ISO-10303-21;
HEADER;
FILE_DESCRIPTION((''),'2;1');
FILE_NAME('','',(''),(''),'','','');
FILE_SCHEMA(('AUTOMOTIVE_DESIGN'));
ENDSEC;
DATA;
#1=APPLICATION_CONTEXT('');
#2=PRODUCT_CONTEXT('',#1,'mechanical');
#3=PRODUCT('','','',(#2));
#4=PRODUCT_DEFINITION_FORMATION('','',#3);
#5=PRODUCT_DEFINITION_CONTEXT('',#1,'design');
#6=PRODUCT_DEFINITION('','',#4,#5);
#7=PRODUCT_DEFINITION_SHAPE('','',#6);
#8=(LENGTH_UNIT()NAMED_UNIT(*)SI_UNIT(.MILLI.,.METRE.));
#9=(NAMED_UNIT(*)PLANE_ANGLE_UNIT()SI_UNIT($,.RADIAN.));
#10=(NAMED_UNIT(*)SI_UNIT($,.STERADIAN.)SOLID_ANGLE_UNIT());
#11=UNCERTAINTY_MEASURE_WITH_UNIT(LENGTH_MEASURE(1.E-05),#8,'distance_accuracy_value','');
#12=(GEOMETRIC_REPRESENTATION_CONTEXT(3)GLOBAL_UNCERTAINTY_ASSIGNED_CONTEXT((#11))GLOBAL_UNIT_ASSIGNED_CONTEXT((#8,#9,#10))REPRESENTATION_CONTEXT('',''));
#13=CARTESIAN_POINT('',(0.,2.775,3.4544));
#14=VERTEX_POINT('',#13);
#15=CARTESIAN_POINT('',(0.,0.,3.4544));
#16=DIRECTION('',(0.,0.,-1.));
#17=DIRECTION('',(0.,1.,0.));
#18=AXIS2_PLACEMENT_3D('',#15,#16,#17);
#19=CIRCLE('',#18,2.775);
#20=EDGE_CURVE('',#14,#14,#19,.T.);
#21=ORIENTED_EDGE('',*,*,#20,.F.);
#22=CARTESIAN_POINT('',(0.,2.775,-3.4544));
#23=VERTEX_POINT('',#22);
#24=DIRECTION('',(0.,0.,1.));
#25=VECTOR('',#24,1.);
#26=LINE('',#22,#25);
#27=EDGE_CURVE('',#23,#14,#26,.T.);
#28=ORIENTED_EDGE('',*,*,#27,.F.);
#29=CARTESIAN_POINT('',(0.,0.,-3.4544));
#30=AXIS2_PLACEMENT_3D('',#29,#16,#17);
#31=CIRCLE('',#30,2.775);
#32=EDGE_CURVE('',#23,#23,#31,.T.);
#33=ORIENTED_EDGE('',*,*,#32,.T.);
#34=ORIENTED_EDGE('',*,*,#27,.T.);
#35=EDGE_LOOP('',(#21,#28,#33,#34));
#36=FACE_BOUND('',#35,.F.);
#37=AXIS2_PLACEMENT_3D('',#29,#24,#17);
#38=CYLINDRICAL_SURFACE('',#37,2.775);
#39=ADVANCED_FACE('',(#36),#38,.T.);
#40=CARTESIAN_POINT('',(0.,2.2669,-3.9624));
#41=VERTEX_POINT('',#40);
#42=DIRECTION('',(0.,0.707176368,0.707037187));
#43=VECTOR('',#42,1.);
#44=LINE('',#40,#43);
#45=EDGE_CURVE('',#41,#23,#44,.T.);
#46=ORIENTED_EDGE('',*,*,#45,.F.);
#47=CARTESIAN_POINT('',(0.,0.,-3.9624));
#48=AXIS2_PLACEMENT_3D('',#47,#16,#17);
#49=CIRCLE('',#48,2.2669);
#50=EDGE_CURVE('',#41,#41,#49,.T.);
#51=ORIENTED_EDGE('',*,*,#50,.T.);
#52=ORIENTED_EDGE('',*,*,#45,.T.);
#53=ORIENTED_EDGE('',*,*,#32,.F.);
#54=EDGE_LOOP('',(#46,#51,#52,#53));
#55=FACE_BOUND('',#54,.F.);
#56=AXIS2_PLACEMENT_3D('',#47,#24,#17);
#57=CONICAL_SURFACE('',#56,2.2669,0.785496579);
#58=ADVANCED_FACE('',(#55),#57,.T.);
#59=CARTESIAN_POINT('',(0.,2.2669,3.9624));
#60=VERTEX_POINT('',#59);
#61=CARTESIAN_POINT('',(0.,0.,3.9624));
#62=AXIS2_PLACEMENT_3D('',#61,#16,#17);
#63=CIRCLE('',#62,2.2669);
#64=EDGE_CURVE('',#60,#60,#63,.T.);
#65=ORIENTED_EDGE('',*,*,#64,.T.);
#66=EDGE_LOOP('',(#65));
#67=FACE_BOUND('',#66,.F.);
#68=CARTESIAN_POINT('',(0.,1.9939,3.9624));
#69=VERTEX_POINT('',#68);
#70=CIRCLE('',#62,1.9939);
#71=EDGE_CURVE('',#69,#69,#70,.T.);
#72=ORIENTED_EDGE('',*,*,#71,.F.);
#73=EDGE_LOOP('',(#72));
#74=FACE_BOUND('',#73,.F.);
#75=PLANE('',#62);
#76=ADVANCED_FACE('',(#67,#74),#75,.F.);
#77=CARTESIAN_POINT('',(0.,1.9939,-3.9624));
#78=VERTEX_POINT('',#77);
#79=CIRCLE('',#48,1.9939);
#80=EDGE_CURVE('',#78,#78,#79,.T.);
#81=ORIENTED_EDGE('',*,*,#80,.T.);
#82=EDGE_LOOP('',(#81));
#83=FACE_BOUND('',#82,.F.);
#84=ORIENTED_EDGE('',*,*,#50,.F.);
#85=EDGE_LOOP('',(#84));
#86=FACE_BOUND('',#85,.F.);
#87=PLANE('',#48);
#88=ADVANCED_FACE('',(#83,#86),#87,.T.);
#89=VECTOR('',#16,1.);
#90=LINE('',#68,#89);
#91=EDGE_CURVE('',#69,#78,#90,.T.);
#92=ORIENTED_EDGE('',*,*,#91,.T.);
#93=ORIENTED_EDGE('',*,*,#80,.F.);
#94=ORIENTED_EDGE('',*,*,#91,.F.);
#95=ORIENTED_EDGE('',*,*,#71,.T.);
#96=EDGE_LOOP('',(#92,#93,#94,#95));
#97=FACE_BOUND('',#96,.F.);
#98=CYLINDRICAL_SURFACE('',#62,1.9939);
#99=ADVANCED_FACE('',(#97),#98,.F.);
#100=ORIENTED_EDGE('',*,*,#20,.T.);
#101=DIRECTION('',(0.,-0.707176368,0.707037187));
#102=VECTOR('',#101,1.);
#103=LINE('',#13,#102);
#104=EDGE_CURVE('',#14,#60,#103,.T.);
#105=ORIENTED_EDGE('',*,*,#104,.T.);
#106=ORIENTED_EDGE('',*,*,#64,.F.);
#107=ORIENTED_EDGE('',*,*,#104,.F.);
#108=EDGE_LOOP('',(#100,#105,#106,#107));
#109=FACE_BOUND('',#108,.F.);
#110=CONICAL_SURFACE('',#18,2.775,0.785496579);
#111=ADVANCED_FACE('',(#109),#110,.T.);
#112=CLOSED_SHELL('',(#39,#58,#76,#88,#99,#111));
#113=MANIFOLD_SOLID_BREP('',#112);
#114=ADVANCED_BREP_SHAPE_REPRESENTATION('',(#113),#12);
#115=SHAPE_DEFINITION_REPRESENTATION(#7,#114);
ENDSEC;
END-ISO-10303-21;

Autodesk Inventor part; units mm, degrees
sketch "Sketch_1" plane through (0, 0, 0) normal (1, 0, 0) x (0, 1, 0)
  line L0 (0, -3.9624) -> (0, 3.9624)
  line L1 (2.2669, 3.9624) -> (1.9939, 3.9624)
  line L2 (1.9939, 3.9624) -> (1.9939, -3.9624)
  line L3 (1.9939, -3.9624) -> (2.2669, -3.9624)
  line L4 (2.2669, -3.9624) -> (2.775, -3.4544)
  line L5 (2.775, -3.4544) -> (2.775, 3.4544)
  line L6 (2.775, 3.4544) -> (2.2669, 3.9624)
revolve "Revolution1" add sketch "Sketch_1" angle 360 about axis through (0, 0, -3.9624) along (0, 0, -1)
ref_plane "bushing_XY" through (0, 0, 0) normal (0, 0, 1) x (1, 0, 0)
ref_plane "bushing_YZ" through (0, 0, 0) normal (1, 0, 0) x (0, 1, 0)
ref_plane "bushing_ZX" through (0, 0, 0) normal (0, 1, 0) x (0, 0, 1)
ref_plane "id1_XY" through (-1.9939, 0, 0) normal (0, 0, 1) x (1, 0, 0)
ref_plane "id1_YZ" through (-1.9939, 0, 0) normal (1, 0, 0) x (0, 1, 0)
ref_plane "id1_ZX" through (-1.9939, 0, 0) normal (0, 1, 0) x (0, 0, 1)
ref_plane "id2_XY" through (1.9939, 0, 0) normal (0, 0, 1) x (1, 0, 0)
ref_plane "id2_YZ" through (1.9939, 0, 0) normal (1, 0, 0) x (0, 1, 0)
ref_plane "id2_ZX" through (1.9939, 0, 0) normal (0, 1, 0) x (0, 0, 1)
ref_plane "id3_XY" through (0, 0, -3.9624) normal (0, 0, -1) x (0, 1, 0)
ref_plane "id3_YZ" through (0, 0, -3.9624) normal (0, 1, 0) x (1, 0, 0)
ref_plane "id3_ZX" through (0, 0, -3.9624) normal (1, 0, 0) x (0, 0, -1)
ref_plane "id4_XY" through (0, 0, 3.9624) normal (0, 0, 1) x (0, 1, 0)
ref_plane "id4_YZ" through (0, 0, 3.9624) normal (0, 1, 0) x (-1, 0, 0)
ref_plane "id4_ZX" through (0, 0, 3.9624) normal (-1, 0, 0) x (0, 0, 1)
properties part number "D-8597" material "Steel"
